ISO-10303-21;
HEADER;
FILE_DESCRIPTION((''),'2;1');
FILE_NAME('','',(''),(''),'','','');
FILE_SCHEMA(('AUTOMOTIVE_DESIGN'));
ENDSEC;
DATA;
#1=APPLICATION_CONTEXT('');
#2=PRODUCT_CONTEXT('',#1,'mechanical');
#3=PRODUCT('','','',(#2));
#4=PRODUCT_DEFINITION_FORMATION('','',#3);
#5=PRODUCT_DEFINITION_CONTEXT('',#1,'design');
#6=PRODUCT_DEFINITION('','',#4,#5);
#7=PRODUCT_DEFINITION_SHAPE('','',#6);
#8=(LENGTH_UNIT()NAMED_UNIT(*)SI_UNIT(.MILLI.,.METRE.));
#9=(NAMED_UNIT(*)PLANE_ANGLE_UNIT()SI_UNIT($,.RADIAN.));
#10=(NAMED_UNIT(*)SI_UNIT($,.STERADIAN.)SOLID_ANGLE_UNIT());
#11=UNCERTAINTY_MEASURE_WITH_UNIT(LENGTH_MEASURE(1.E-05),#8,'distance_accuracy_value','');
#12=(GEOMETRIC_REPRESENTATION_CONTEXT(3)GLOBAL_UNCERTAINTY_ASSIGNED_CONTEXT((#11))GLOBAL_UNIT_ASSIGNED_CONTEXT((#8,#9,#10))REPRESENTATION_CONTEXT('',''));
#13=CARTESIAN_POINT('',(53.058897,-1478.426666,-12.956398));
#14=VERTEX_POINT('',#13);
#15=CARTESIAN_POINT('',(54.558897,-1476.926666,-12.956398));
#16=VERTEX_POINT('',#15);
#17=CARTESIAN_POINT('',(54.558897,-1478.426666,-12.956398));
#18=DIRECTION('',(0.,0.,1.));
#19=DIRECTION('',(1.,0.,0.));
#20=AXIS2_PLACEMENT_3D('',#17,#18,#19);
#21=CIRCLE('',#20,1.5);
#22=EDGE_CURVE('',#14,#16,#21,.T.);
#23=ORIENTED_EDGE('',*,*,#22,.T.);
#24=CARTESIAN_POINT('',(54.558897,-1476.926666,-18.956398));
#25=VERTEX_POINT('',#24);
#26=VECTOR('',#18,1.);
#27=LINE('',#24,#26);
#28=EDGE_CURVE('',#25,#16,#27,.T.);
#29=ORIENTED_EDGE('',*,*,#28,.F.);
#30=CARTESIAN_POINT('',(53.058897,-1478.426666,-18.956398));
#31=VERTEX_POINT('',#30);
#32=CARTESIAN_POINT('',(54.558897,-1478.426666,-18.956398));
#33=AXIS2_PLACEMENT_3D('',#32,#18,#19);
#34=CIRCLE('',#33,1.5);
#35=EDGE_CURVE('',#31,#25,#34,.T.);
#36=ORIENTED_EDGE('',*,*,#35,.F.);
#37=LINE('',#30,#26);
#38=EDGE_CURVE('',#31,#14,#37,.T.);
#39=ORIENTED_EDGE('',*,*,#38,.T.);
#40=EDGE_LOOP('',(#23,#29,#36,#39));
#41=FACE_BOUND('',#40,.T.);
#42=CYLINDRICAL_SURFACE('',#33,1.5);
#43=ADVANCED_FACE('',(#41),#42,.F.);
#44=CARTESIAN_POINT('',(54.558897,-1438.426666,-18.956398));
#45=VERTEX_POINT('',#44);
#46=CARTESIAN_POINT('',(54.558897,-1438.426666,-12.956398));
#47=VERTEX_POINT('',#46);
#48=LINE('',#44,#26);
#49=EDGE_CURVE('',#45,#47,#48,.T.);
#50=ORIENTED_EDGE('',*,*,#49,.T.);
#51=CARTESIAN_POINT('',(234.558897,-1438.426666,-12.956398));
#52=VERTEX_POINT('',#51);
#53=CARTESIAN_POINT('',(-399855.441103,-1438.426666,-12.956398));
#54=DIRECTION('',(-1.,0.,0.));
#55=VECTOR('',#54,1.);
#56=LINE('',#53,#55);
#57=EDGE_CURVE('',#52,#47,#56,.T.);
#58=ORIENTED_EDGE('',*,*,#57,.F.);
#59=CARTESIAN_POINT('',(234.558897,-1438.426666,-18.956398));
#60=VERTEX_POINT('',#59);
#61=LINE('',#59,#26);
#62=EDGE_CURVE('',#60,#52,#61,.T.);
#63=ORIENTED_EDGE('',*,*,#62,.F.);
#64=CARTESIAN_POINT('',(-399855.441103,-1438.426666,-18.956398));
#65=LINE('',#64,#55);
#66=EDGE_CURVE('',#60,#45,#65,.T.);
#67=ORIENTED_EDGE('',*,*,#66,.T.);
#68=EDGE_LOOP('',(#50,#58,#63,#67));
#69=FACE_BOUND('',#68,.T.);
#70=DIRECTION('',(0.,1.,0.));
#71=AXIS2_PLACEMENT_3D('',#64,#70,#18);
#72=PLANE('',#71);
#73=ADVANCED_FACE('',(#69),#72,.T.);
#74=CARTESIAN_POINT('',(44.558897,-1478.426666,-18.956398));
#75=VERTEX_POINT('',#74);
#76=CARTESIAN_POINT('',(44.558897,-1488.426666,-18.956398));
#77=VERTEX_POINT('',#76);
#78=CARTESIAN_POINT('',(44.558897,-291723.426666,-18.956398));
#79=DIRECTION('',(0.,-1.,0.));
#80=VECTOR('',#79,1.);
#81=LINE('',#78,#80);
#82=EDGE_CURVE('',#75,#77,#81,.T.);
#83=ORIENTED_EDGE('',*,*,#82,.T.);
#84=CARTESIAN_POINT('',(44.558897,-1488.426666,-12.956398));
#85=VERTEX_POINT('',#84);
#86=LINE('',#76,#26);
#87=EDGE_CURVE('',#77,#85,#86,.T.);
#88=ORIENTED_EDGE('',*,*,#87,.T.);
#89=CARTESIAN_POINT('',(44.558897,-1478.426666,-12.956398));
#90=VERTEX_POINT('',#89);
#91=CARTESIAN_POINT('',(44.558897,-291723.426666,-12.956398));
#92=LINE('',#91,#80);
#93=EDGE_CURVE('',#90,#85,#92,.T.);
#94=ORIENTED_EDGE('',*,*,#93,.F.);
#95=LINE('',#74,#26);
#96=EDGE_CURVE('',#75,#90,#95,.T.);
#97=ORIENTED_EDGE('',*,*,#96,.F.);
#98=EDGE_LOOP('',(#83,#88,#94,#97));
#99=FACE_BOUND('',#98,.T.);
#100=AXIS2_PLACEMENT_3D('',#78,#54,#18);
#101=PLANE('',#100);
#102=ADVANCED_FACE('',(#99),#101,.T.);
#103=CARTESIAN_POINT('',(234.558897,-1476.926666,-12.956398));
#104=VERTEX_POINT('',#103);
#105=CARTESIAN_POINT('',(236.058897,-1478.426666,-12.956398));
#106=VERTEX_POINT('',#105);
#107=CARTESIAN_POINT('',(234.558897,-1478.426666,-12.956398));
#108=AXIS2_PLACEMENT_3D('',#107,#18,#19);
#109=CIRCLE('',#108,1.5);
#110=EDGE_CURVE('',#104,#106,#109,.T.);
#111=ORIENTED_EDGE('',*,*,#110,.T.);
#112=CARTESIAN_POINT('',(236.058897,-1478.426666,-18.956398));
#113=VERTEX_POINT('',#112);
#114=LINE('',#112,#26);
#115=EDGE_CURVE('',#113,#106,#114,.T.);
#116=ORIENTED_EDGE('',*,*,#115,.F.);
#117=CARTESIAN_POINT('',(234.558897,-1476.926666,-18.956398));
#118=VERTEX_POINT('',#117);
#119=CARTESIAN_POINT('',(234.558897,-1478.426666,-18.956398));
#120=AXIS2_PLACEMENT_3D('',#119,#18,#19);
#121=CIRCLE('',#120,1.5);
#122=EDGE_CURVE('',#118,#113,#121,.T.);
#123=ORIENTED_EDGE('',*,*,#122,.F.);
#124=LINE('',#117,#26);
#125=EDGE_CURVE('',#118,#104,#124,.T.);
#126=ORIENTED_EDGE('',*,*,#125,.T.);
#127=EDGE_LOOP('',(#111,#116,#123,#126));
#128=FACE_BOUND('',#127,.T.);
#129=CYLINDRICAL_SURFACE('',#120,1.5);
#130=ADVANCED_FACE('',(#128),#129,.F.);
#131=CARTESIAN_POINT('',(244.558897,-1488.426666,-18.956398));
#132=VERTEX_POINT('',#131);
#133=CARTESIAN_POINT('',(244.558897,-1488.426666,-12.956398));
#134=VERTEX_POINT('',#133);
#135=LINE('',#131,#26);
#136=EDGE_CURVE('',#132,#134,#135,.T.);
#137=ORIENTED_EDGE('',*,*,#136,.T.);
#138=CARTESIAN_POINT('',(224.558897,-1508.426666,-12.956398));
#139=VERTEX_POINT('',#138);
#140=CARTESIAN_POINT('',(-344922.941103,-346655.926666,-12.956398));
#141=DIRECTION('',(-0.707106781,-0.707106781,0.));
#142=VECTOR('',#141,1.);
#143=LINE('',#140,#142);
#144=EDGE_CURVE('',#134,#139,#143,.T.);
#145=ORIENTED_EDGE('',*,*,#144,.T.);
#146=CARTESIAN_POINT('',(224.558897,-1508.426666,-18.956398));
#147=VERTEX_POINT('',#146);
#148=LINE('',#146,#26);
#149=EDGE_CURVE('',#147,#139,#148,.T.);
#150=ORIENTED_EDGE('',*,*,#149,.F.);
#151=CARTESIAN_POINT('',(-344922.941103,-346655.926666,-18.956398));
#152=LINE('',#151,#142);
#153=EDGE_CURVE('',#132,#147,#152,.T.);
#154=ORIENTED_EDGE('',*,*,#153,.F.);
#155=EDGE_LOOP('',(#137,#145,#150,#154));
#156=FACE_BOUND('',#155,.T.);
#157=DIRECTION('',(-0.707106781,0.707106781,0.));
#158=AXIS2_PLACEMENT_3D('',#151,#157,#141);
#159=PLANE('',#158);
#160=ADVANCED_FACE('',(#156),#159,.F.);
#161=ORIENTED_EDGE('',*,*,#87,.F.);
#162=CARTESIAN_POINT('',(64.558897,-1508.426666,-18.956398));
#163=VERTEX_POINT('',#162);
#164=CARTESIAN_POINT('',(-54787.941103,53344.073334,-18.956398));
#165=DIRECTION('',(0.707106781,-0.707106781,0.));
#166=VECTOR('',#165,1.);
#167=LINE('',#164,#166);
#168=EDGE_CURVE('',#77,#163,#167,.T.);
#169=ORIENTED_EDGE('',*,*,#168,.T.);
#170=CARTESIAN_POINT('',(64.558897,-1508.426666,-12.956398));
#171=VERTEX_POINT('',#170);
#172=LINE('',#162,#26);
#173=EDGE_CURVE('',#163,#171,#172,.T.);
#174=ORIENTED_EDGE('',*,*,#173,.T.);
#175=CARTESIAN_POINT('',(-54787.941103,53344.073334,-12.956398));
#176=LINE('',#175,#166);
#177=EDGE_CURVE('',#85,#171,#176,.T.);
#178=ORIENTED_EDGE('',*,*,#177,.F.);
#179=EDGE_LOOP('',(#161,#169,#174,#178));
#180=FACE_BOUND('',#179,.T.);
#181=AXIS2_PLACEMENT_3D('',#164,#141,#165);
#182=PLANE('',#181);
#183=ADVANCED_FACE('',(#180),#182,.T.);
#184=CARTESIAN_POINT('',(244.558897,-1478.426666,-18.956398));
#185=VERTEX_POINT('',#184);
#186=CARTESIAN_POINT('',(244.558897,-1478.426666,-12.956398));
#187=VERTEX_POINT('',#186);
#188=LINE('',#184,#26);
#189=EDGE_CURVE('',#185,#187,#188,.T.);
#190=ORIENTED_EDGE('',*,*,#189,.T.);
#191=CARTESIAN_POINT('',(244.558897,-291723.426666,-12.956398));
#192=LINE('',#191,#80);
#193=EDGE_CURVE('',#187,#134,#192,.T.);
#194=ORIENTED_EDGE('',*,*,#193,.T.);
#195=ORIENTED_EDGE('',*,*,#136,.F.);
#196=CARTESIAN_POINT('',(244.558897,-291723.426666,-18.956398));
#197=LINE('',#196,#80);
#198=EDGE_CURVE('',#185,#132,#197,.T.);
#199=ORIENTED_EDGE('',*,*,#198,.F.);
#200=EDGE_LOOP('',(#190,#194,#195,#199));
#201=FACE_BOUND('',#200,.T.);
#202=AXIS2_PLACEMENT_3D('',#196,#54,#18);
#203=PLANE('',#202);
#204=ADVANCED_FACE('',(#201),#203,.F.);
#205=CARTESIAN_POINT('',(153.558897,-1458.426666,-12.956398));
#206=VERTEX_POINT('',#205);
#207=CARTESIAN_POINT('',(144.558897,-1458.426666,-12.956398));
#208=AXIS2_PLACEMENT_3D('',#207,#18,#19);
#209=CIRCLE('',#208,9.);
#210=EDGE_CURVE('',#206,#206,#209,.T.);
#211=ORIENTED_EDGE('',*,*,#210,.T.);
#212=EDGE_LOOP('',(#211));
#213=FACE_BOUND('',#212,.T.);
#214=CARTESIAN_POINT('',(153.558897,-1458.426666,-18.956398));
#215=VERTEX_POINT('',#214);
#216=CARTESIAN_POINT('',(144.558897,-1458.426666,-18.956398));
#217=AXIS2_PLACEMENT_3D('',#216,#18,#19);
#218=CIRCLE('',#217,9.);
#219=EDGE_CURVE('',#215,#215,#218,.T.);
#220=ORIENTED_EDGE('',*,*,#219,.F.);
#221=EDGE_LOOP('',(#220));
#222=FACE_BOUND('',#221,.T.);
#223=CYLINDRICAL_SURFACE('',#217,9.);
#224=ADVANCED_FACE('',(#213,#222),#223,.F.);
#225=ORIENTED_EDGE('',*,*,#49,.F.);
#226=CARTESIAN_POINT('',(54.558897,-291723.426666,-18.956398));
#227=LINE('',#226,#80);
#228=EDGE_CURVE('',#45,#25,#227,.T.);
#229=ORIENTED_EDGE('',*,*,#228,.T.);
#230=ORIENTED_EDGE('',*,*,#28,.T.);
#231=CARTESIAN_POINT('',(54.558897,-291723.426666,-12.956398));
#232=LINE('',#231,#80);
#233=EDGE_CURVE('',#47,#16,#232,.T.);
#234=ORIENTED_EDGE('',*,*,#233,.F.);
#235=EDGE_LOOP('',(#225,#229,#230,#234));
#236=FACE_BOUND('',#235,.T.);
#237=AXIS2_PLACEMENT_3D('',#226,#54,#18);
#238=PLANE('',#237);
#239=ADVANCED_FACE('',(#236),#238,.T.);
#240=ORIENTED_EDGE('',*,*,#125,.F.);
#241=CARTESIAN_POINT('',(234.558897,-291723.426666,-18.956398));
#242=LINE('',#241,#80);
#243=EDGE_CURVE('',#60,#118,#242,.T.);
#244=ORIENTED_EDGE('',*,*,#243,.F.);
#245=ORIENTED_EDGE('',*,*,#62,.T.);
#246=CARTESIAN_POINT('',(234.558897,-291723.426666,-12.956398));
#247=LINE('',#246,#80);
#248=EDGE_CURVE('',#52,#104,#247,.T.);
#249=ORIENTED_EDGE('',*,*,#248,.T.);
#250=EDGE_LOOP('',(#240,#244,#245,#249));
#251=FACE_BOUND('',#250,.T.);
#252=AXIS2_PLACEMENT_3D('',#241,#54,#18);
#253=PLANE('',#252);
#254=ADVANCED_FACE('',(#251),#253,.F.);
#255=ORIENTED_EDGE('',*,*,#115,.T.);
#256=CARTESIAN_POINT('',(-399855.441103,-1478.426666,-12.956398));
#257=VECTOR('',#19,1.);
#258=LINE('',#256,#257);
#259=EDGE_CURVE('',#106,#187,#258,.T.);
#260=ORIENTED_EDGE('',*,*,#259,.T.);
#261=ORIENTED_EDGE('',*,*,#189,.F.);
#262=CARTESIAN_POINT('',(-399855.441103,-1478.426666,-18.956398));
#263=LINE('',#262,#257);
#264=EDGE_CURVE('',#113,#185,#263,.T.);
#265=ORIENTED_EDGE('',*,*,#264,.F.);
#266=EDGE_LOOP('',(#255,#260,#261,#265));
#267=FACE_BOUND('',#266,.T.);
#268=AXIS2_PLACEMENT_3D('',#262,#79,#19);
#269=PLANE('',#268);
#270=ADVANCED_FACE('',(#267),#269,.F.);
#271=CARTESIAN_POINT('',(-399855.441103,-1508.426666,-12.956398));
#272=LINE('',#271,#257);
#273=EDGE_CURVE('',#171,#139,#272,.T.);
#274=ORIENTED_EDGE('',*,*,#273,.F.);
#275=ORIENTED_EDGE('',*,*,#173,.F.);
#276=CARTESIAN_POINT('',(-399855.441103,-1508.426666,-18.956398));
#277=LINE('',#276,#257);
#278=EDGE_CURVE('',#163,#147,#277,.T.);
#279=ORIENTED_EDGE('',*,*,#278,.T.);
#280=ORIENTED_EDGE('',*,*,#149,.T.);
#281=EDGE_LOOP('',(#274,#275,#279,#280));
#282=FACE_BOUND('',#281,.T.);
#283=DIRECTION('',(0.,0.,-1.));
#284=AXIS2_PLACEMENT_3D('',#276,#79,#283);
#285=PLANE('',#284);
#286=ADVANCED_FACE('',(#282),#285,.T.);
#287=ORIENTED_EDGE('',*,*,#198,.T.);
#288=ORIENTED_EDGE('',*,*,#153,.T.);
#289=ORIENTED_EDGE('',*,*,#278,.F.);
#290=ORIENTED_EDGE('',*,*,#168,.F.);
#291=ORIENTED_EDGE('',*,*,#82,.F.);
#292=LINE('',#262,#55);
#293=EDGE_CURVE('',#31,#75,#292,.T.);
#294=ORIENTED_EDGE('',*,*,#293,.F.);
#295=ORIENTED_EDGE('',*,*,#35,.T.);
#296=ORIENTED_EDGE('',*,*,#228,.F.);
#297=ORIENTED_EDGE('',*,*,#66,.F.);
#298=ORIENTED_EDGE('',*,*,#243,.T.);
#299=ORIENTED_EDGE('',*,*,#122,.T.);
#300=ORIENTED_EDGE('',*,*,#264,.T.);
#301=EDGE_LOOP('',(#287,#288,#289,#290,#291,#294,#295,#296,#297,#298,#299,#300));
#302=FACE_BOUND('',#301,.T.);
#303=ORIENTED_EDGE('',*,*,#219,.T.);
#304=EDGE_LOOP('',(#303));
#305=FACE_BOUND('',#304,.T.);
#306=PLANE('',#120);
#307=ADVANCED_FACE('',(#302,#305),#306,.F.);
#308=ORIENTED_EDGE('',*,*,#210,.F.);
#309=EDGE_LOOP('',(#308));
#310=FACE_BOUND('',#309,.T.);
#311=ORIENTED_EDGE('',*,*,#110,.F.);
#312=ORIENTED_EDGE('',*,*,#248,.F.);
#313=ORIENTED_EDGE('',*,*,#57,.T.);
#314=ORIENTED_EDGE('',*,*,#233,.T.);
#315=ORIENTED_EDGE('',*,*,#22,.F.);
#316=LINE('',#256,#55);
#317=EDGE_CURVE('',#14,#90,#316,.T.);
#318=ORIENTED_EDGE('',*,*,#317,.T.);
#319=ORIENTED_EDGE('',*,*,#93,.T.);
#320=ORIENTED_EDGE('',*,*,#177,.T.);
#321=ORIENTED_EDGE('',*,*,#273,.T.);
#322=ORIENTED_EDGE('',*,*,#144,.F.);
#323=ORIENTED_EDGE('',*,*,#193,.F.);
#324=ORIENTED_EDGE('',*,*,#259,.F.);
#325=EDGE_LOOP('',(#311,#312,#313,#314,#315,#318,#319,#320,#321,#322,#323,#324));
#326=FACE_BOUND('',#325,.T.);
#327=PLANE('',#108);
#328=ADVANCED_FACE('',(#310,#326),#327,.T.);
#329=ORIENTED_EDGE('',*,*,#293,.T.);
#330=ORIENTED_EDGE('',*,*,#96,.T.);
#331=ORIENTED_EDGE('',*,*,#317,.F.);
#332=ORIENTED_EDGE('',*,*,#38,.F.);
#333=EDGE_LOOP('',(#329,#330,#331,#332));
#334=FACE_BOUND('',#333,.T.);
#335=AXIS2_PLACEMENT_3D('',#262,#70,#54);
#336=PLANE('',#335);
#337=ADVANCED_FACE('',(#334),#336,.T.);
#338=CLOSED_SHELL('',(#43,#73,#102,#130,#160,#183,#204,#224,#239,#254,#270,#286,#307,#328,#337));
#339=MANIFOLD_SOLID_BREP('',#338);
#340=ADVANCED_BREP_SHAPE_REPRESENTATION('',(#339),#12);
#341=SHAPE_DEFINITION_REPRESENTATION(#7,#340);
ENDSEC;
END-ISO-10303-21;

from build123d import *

# Parameters (mm, degrees)
BOSS_EXTRUDE1_START = -18.956398
BOSS_EXTRUDE1_DEPTH = 6.000001


with BuildPart() as part:
    # Sketch1 → Boss-Extrude1 (new body)
    with BuildSketch(Plane.XY.offset(BOSS_EXTRUDE1_START)):
        with BuildLine():
            Line((144.558896816, -1449.426665995), (144.558896816, -1438.426665995))
            Line((144.558896816, -1438.426665995), (54.558896816, -1438.426665995))
            Line((54.558896816, -1438.426665995), (54.558896816, -1476.926665995))
            ThreePointArc((54.558896816, -1476.926665995), (55.619556988, -1477.366005823), (56.058896816, -1478.426665995))
            ThreePointArc((56.058896816, -1478.426665995), (54.558896816, -1479.926665995), (53.058896816, -1478.426665995))
            Line((53.058896816, -1478.426665995), (44.558896816, -1478.426665995))
            Line((44.558896816, -1478.426665995), (44.558896816, -1488.426665995))
            Line((44.558896816, -1488.426665995), (64.558896816, -1508.426665995))
            Line((64.558896816, -1508.426665995), (144.558896816, -1508.426665995))
            Line((144.558896816, -1508.426665995), (144.558896816, -1467.426665995))
            ThreePointArc((144.558896816, -1467.426665995), (135.558896816, -1458.426665995), (144.558896816, -1449.426665995))
        make_face()
        with BuildLine():
            Line((234.558896816, -1438.426665995), (144.558896816, -1438.426665995))
            Line((144.558896816, -1438.426665995), (144.558896816, -1449.426665995))
            ThreePointArc((144.558896816, -1449.426665995), (150.922857847, -1452.062704964), (153.558896816, -1458.426665995))
            ThreePointArc((153.558896816, -1458.426665995), (150.922857847, -1464.790627025), (144.558896816, -1467.426665995))
            Line((144.558896816, -1467.426665995), (144.558896816, -1508.426665995))
            Line((144.558896816, -1508.426665995), (224.558896816, -1508.426665995))
            Line((224.558896816, -1508.426665995), (244.558896816, -1488.426665995))
            Line((244.558896816, -1488.426665995), (244.558896816, -1478.426665995))
            Line((244.558896816, -1478.426665995), (236.058896816, -1478.426665995))
            ThreePointArc((236.058896816, -1478.426665995), (233.498236645, -1479.487326167), (234.558896816, -1476.926665995))
            Line((234.558896816, -1476.926665995), (234.558896816, -1438.426665995))
        make_face()
    extrude(amount=BOSS_EXTRUDE1_DEPTH)


solid = part.part
